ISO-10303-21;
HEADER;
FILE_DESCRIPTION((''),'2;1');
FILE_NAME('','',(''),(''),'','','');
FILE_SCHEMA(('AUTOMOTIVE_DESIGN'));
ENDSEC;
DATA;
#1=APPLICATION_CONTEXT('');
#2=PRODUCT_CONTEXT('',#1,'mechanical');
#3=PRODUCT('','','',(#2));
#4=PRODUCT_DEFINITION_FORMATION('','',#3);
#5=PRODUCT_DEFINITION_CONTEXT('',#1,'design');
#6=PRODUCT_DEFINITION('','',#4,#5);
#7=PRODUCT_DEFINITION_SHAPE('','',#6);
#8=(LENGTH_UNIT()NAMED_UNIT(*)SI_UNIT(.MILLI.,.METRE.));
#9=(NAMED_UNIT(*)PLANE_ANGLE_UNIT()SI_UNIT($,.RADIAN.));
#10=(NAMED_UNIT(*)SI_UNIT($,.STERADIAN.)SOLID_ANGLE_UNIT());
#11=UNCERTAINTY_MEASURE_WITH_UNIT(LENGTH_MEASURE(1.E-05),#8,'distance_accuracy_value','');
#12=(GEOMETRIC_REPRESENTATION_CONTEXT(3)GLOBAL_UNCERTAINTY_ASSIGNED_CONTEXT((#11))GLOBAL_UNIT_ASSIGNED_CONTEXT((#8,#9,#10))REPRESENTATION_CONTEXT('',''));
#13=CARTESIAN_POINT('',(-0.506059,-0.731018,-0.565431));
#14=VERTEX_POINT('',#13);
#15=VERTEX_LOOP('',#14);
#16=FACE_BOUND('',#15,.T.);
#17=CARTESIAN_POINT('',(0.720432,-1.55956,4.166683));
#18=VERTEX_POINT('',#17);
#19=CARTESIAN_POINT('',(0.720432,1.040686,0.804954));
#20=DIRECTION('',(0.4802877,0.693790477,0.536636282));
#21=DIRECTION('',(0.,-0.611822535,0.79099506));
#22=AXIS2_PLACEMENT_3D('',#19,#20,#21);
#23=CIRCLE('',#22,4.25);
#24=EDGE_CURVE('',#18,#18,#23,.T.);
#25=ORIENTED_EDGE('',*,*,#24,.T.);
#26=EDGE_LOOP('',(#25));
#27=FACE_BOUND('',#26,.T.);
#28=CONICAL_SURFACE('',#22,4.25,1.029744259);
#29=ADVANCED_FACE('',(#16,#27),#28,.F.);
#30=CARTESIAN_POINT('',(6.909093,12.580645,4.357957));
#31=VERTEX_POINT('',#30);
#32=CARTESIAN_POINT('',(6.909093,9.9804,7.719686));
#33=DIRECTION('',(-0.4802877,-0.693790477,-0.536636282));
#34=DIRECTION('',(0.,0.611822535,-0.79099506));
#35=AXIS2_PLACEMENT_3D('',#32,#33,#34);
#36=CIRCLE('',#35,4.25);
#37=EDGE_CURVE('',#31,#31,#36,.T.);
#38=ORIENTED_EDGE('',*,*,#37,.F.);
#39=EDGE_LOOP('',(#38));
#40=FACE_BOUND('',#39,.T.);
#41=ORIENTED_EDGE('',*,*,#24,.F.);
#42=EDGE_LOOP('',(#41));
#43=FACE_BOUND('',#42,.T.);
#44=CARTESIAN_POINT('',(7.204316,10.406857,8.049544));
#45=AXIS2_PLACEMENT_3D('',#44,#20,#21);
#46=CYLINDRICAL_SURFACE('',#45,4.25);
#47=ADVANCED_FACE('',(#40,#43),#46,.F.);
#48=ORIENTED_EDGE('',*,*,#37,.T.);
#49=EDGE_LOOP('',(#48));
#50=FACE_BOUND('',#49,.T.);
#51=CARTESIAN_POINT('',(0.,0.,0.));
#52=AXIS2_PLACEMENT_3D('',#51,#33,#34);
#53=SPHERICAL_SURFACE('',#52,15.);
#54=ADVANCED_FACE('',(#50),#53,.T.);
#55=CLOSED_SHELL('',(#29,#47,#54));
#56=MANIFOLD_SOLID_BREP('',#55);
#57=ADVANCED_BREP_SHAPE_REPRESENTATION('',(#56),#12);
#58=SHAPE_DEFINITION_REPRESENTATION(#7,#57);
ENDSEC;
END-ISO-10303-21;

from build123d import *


with BuildPart() as part:
    # Sketch1 → Revolve1 (revolve)
    with BuildSketch(Plane.XY):
        with BuildLine():
            Line((0, 15), (0, -15))
            ThreePointArc((0, -15), (15, 0), (0, 15))
        make_face()
    revolve(axis=Axis((0, 15, 0), (0, -1, 0)))

    # Sketch2 → M10x1.5 Tapped Hole1 (revolve, cut)
    with BuildSketch(Plane(origin=(7.204315507, 10.40685715, 8.049544232), x_dir=(-0.7268207599846388, -0.027665679304091275, 0.6862697669604828), z_dir=(0.490973836014904, -0.7196453186797092, 0.49097383601490413))):
        Polygon((0, 0), (0, 16.053657631), (4.25, 13.5), (4.25, 0), align=None)
    revolve(axis=Axis((10.254142405, 14.812426676, 11.457184624), (-0.48028770045063857, -0.6937904766505685, -0.5366362821360615)), mode=Mode.SUBTRACT)


solid = part.part
